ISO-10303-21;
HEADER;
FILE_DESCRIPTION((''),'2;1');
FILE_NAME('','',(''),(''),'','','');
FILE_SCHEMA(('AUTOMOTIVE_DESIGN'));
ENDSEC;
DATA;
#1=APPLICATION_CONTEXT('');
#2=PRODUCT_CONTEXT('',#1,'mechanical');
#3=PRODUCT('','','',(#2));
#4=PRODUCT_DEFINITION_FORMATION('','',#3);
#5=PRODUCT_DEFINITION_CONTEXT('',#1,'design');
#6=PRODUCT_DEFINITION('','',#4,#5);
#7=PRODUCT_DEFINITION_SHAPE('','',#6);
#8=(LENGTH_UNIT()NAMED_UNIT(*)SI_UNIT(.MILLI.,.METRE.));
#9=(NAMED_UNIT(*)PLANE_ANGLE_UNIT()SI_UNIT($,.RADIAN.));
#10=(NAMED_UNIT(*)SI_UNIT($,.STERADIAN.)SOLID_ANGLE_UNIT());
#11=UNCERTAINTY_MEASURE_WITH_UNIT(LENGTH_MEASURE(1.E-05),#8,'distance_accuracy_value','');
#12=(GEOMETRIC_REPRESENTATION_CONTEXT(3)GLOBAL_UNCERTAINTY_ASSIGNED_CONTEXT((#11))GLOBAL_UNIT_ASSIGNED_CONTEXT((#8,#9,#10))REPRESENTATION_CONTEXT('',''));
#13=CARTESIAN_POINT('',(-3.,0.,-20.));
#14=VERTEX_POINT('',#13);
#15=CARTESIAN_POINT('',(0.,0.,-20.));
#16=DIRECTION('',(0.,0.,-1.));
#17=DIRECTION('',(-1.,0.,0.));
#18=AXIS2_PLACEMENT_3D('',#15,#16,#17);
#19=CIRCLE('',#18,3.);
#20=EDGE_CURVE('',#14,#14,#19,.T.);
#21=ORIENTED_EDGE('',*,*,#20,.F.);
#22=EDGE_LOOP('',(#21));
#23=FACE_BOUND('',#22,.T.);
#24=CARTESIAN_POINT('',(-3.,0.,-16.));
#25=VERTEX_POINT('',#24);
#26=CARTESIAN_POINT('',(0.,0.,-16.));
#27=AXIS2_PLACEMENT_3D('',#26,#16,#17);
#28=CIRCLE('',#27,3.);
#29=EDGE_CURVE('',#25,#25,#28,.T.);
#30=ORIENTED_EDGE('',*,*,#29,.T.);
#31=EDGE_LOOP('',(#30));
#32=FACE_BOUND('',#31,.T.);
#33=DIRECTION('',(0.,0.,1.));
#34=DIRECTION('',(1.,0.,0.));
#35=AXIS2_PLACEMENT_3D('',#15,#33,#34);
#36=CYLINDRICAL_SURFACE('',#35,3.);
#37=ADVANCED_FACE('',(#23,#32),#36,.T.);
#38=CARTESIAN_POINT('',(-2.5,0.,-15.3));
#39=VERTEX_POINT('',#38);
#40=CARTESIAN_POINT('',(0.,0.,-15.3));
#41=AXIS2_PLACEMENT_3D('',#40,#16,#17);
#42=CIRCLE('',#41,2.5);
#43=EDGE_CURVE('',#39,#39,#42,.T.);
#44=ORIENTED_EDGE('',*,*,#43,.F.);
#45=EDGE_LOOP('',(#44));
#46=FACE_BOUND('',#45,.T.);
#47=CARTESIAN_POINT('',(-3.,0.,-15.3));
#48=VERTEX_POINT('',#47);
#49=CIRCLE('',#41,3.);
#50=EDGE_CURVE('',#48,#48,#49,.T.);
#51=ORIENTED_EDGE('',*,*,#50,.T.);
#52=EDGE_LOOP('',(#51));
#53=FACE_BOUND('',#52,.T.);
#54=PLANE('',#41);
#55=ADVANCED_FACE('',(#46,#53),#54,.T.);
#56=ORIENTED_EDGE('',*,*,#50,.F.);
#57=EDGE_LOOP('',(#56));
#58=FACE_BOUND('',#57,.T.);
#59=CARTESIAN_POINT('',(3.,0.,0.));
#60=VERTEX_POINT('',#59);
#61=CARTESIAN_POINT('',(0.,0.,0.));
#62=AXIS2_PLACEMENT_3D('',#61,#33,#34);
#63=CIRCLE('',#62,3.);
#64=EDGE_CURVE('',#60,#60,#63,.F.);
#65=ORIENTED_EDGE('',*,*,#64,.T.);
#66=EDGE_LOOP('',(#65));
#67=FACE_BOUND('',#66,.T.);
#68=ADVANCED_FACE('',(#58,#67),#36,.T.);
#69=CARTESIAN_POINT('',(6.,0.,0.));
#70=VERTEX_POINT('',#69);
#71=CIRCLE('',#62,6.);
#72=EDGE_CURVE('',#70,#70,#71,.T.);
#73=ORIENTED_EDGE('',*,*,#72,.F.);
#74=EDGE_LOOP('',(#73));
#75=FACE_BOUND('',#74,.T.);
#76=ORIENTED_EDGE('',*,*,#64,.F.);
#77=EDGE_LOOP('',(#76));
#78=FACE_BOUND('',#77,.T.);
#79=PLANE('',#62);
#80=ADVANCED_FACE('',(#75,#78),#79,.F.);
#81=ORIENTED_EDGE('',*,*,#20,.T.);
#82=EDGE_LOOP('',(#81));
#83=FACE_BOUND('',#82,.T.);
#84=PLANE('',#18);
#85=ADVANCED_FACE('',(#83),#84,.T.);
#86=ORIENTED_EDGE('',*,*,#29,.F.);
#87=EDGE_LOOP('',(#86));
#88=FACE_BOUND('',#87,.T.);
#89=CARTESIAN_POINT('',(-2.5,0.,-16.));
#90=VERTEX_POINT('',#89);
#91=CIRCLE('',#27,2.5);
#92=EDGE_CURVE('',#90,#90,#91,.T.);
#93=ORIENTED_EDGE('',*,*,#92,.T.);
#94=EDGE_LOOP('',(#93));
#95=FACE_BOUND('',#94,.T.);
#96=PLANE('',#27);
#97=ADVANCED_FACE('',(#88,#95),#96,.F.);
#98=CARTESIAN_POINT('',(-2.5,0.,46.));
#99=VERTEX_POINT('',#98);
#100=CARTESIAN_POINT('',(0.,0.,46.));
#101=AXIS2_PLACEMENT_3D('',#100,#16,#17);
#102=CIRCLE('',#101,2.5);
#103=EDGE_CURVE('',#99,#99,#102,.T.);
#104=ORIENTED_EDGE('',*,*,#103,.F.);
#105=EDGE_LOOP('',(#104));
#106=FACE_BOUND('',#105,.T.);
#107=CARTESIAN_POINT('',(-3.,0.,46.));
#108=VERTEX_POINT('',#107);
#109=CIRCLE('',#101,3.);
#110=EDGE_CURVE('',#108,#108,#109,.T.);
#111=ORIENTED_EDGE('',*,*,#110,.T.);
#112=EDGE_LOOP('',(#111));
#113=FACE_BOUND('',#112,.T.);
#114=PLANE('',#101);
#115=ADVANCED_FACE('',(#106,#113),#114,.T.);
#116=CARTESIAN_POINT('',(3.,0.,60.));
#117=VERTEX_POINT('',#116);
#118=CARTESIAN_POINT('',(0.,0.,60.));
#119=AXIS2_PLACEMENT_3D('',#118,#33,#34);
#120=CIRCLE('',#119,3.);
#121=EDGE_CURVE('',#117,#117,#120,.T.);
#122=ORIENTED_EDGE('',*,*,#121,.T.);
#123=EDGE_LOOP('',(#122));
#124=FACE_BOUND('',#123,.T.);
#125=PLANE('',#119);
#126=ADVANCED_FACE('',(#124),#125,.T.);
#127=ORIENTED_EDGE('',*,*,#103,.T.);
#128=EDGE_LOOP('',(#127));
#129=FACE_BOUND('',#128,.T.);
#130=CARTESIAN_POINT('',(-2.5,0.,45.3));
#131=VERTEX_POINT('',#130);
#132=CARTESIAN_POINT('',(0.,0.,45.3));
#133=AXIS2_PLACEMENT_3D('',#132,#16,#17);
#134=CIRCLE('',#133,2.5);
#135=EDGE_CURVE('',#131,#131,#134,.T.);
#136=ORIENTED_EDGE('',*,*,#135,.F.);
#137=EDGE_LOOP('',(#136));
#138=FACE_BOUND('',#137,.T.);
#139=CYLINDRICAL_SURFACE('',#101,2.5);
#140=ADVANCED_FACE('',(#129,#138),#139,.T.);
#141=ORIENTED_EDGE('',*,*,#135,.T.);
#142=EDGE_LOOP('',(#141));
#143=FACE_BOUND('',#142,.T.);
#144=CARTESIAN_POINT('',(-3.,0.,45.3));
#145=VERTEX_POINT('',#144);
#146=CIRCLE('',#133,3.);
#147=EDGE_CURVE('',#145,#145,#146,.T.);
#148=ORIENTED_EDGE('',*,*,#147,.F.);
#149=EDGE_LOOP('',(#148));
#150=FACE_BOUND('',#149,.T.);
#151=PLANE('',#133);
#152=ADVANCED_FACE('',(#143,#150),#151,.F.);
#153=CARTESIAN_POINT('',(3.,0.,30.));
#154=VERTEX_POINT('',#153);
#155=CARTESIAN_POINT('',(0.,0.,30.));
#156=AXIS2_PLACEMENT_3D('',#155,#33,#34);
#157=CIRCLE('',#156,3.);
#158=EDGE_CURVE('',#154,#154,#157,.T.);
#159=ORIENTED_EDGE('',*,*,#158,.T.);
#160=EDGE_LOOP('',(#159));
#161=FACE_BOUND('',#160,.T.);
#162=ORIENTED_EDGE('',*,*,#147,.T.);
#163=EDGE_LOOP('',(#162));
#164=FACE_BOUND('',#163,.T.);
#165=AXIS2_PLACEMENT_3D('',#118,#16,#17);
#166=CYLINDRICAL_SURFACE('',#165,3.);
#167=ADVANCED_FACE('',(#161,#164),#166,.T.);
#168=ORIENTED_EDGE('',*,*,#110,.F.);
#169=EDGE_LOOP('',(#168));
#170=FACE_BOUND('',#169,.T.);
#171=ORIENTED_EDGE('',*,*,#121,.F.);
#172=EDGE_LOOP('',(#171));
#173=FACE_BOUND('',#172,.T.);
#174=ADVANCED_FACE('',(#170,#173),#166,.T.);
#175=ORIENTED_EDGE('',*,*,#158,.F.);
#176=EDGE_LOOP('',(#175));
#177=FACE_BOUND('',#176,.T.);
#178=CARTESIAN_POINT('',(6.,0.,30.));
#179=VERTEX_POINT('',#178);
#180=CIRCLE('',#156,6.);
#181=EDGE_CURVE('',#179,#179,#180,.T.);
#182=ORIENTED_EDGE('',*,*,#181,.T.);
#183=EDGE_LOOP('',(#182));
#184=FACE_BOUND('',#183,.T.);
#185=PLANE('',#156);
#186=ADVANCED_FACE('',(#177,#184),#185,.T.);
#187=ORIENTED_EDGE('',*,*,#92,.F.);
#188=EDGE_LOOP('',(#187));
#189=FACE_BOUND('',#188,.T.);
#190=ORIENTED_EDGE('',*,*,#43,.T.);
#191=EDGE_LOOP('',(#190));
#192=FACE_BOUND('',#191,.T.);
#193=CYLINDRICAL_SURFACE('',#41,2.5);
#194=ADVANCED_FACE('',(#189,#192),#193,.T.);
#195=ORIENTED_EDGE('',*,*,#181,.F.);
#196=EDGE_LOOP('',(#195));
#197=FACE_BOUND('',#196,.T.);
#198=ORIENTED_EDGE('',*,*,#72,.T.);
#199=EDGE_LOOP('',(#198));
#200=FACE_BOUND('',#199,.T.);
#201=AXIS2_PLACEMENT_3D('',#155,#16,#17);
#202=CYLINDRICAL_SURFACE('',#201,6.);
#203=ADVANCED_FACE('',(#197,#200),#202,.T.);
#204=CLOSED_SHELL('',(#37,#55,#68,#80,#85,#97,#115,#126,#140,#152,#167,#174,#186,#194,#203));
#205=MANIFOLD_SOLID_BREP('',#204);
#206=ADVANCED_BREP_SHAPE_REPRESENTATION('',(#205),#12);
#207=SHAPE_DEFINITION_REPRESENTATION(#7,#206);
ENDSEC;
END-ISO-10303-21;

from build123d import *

# Parameters (mm, degrees)
SKETCH_1_R          = 6
EXTRUDE_1_DEPTH     = 30
SKETCH_2_R          = 3
EXTRUDE_2_DEPTH     = 20
SKETCH_3_R          = 3
EXTRUDE_3_DEPTH     = 30
SKETCH_4_R          = 6.707362288
SKETCH_4_R_2        = 2.5
CUT_EXTRUDE_1_DEPTH = 0.7
SKETCH_5_R          = 8.291110755
SKETCH_5_R_2        = 2.5
CUT_EXTRUDE_2_DEPTH = 0.7


with BuildPart() as part:
    # 草图1 → 凸台-拉伸1 (new body)
    with BuildSketch(Plane.XY):
        Circle(SKETCH_1_R)
    extrude(amount=EXTRUDE_1_DEPTH)

    # 草图2 → 凸台-拉伸2 (add)
    with BuildSketch(Plane(origin=(0, 0, 0), x_dir=(-1, 0, 0), z_dir=(0, 0, -1))):
        Circle(SKETCH_2_R)
    extrude(amount=EXTRUDE_2_DEPTH)

    # 草图3 → 凸台-拉伸3 (add)
    with BuildSketch(Plane.XY.offset(30)):
        Circle(SKETCH_3_R)
    extrude(amount=EXTRUDE_3_DEPTH)

    # 草图4 → 切除-拉伸1 (cut)
    with BuildSketch(Plane(origin=(0, 0, -16), x_dir=(-1, 0, 0), z_dir=(0, 0, -1))):
        Circle(SKETCH_4_R)
        Circle(SKETCH_4_R_2, mode=Mode.SUBTRACT)
    extrude(amount=-CUT_EXTRUDE_1_DEPTH, mode=Mode.SUBTRACT)

    # 草图5 → 切除-拉伸2 (cut)
    with BuildSketch(Plane(origin=(0, 0, 45.3), x_dir=(-1, 0, 0), z_dir=(0, 0, -1))):
        Circle(SKETCH_5_R)
        Circle(SKETCH_5_R_2, mode=Mode.SUBTRACT)
    extrude(amount=-CUT_EXTRUDE_2_DEPTH, mode=Mode.SUBTRACT)


solid = part.part
